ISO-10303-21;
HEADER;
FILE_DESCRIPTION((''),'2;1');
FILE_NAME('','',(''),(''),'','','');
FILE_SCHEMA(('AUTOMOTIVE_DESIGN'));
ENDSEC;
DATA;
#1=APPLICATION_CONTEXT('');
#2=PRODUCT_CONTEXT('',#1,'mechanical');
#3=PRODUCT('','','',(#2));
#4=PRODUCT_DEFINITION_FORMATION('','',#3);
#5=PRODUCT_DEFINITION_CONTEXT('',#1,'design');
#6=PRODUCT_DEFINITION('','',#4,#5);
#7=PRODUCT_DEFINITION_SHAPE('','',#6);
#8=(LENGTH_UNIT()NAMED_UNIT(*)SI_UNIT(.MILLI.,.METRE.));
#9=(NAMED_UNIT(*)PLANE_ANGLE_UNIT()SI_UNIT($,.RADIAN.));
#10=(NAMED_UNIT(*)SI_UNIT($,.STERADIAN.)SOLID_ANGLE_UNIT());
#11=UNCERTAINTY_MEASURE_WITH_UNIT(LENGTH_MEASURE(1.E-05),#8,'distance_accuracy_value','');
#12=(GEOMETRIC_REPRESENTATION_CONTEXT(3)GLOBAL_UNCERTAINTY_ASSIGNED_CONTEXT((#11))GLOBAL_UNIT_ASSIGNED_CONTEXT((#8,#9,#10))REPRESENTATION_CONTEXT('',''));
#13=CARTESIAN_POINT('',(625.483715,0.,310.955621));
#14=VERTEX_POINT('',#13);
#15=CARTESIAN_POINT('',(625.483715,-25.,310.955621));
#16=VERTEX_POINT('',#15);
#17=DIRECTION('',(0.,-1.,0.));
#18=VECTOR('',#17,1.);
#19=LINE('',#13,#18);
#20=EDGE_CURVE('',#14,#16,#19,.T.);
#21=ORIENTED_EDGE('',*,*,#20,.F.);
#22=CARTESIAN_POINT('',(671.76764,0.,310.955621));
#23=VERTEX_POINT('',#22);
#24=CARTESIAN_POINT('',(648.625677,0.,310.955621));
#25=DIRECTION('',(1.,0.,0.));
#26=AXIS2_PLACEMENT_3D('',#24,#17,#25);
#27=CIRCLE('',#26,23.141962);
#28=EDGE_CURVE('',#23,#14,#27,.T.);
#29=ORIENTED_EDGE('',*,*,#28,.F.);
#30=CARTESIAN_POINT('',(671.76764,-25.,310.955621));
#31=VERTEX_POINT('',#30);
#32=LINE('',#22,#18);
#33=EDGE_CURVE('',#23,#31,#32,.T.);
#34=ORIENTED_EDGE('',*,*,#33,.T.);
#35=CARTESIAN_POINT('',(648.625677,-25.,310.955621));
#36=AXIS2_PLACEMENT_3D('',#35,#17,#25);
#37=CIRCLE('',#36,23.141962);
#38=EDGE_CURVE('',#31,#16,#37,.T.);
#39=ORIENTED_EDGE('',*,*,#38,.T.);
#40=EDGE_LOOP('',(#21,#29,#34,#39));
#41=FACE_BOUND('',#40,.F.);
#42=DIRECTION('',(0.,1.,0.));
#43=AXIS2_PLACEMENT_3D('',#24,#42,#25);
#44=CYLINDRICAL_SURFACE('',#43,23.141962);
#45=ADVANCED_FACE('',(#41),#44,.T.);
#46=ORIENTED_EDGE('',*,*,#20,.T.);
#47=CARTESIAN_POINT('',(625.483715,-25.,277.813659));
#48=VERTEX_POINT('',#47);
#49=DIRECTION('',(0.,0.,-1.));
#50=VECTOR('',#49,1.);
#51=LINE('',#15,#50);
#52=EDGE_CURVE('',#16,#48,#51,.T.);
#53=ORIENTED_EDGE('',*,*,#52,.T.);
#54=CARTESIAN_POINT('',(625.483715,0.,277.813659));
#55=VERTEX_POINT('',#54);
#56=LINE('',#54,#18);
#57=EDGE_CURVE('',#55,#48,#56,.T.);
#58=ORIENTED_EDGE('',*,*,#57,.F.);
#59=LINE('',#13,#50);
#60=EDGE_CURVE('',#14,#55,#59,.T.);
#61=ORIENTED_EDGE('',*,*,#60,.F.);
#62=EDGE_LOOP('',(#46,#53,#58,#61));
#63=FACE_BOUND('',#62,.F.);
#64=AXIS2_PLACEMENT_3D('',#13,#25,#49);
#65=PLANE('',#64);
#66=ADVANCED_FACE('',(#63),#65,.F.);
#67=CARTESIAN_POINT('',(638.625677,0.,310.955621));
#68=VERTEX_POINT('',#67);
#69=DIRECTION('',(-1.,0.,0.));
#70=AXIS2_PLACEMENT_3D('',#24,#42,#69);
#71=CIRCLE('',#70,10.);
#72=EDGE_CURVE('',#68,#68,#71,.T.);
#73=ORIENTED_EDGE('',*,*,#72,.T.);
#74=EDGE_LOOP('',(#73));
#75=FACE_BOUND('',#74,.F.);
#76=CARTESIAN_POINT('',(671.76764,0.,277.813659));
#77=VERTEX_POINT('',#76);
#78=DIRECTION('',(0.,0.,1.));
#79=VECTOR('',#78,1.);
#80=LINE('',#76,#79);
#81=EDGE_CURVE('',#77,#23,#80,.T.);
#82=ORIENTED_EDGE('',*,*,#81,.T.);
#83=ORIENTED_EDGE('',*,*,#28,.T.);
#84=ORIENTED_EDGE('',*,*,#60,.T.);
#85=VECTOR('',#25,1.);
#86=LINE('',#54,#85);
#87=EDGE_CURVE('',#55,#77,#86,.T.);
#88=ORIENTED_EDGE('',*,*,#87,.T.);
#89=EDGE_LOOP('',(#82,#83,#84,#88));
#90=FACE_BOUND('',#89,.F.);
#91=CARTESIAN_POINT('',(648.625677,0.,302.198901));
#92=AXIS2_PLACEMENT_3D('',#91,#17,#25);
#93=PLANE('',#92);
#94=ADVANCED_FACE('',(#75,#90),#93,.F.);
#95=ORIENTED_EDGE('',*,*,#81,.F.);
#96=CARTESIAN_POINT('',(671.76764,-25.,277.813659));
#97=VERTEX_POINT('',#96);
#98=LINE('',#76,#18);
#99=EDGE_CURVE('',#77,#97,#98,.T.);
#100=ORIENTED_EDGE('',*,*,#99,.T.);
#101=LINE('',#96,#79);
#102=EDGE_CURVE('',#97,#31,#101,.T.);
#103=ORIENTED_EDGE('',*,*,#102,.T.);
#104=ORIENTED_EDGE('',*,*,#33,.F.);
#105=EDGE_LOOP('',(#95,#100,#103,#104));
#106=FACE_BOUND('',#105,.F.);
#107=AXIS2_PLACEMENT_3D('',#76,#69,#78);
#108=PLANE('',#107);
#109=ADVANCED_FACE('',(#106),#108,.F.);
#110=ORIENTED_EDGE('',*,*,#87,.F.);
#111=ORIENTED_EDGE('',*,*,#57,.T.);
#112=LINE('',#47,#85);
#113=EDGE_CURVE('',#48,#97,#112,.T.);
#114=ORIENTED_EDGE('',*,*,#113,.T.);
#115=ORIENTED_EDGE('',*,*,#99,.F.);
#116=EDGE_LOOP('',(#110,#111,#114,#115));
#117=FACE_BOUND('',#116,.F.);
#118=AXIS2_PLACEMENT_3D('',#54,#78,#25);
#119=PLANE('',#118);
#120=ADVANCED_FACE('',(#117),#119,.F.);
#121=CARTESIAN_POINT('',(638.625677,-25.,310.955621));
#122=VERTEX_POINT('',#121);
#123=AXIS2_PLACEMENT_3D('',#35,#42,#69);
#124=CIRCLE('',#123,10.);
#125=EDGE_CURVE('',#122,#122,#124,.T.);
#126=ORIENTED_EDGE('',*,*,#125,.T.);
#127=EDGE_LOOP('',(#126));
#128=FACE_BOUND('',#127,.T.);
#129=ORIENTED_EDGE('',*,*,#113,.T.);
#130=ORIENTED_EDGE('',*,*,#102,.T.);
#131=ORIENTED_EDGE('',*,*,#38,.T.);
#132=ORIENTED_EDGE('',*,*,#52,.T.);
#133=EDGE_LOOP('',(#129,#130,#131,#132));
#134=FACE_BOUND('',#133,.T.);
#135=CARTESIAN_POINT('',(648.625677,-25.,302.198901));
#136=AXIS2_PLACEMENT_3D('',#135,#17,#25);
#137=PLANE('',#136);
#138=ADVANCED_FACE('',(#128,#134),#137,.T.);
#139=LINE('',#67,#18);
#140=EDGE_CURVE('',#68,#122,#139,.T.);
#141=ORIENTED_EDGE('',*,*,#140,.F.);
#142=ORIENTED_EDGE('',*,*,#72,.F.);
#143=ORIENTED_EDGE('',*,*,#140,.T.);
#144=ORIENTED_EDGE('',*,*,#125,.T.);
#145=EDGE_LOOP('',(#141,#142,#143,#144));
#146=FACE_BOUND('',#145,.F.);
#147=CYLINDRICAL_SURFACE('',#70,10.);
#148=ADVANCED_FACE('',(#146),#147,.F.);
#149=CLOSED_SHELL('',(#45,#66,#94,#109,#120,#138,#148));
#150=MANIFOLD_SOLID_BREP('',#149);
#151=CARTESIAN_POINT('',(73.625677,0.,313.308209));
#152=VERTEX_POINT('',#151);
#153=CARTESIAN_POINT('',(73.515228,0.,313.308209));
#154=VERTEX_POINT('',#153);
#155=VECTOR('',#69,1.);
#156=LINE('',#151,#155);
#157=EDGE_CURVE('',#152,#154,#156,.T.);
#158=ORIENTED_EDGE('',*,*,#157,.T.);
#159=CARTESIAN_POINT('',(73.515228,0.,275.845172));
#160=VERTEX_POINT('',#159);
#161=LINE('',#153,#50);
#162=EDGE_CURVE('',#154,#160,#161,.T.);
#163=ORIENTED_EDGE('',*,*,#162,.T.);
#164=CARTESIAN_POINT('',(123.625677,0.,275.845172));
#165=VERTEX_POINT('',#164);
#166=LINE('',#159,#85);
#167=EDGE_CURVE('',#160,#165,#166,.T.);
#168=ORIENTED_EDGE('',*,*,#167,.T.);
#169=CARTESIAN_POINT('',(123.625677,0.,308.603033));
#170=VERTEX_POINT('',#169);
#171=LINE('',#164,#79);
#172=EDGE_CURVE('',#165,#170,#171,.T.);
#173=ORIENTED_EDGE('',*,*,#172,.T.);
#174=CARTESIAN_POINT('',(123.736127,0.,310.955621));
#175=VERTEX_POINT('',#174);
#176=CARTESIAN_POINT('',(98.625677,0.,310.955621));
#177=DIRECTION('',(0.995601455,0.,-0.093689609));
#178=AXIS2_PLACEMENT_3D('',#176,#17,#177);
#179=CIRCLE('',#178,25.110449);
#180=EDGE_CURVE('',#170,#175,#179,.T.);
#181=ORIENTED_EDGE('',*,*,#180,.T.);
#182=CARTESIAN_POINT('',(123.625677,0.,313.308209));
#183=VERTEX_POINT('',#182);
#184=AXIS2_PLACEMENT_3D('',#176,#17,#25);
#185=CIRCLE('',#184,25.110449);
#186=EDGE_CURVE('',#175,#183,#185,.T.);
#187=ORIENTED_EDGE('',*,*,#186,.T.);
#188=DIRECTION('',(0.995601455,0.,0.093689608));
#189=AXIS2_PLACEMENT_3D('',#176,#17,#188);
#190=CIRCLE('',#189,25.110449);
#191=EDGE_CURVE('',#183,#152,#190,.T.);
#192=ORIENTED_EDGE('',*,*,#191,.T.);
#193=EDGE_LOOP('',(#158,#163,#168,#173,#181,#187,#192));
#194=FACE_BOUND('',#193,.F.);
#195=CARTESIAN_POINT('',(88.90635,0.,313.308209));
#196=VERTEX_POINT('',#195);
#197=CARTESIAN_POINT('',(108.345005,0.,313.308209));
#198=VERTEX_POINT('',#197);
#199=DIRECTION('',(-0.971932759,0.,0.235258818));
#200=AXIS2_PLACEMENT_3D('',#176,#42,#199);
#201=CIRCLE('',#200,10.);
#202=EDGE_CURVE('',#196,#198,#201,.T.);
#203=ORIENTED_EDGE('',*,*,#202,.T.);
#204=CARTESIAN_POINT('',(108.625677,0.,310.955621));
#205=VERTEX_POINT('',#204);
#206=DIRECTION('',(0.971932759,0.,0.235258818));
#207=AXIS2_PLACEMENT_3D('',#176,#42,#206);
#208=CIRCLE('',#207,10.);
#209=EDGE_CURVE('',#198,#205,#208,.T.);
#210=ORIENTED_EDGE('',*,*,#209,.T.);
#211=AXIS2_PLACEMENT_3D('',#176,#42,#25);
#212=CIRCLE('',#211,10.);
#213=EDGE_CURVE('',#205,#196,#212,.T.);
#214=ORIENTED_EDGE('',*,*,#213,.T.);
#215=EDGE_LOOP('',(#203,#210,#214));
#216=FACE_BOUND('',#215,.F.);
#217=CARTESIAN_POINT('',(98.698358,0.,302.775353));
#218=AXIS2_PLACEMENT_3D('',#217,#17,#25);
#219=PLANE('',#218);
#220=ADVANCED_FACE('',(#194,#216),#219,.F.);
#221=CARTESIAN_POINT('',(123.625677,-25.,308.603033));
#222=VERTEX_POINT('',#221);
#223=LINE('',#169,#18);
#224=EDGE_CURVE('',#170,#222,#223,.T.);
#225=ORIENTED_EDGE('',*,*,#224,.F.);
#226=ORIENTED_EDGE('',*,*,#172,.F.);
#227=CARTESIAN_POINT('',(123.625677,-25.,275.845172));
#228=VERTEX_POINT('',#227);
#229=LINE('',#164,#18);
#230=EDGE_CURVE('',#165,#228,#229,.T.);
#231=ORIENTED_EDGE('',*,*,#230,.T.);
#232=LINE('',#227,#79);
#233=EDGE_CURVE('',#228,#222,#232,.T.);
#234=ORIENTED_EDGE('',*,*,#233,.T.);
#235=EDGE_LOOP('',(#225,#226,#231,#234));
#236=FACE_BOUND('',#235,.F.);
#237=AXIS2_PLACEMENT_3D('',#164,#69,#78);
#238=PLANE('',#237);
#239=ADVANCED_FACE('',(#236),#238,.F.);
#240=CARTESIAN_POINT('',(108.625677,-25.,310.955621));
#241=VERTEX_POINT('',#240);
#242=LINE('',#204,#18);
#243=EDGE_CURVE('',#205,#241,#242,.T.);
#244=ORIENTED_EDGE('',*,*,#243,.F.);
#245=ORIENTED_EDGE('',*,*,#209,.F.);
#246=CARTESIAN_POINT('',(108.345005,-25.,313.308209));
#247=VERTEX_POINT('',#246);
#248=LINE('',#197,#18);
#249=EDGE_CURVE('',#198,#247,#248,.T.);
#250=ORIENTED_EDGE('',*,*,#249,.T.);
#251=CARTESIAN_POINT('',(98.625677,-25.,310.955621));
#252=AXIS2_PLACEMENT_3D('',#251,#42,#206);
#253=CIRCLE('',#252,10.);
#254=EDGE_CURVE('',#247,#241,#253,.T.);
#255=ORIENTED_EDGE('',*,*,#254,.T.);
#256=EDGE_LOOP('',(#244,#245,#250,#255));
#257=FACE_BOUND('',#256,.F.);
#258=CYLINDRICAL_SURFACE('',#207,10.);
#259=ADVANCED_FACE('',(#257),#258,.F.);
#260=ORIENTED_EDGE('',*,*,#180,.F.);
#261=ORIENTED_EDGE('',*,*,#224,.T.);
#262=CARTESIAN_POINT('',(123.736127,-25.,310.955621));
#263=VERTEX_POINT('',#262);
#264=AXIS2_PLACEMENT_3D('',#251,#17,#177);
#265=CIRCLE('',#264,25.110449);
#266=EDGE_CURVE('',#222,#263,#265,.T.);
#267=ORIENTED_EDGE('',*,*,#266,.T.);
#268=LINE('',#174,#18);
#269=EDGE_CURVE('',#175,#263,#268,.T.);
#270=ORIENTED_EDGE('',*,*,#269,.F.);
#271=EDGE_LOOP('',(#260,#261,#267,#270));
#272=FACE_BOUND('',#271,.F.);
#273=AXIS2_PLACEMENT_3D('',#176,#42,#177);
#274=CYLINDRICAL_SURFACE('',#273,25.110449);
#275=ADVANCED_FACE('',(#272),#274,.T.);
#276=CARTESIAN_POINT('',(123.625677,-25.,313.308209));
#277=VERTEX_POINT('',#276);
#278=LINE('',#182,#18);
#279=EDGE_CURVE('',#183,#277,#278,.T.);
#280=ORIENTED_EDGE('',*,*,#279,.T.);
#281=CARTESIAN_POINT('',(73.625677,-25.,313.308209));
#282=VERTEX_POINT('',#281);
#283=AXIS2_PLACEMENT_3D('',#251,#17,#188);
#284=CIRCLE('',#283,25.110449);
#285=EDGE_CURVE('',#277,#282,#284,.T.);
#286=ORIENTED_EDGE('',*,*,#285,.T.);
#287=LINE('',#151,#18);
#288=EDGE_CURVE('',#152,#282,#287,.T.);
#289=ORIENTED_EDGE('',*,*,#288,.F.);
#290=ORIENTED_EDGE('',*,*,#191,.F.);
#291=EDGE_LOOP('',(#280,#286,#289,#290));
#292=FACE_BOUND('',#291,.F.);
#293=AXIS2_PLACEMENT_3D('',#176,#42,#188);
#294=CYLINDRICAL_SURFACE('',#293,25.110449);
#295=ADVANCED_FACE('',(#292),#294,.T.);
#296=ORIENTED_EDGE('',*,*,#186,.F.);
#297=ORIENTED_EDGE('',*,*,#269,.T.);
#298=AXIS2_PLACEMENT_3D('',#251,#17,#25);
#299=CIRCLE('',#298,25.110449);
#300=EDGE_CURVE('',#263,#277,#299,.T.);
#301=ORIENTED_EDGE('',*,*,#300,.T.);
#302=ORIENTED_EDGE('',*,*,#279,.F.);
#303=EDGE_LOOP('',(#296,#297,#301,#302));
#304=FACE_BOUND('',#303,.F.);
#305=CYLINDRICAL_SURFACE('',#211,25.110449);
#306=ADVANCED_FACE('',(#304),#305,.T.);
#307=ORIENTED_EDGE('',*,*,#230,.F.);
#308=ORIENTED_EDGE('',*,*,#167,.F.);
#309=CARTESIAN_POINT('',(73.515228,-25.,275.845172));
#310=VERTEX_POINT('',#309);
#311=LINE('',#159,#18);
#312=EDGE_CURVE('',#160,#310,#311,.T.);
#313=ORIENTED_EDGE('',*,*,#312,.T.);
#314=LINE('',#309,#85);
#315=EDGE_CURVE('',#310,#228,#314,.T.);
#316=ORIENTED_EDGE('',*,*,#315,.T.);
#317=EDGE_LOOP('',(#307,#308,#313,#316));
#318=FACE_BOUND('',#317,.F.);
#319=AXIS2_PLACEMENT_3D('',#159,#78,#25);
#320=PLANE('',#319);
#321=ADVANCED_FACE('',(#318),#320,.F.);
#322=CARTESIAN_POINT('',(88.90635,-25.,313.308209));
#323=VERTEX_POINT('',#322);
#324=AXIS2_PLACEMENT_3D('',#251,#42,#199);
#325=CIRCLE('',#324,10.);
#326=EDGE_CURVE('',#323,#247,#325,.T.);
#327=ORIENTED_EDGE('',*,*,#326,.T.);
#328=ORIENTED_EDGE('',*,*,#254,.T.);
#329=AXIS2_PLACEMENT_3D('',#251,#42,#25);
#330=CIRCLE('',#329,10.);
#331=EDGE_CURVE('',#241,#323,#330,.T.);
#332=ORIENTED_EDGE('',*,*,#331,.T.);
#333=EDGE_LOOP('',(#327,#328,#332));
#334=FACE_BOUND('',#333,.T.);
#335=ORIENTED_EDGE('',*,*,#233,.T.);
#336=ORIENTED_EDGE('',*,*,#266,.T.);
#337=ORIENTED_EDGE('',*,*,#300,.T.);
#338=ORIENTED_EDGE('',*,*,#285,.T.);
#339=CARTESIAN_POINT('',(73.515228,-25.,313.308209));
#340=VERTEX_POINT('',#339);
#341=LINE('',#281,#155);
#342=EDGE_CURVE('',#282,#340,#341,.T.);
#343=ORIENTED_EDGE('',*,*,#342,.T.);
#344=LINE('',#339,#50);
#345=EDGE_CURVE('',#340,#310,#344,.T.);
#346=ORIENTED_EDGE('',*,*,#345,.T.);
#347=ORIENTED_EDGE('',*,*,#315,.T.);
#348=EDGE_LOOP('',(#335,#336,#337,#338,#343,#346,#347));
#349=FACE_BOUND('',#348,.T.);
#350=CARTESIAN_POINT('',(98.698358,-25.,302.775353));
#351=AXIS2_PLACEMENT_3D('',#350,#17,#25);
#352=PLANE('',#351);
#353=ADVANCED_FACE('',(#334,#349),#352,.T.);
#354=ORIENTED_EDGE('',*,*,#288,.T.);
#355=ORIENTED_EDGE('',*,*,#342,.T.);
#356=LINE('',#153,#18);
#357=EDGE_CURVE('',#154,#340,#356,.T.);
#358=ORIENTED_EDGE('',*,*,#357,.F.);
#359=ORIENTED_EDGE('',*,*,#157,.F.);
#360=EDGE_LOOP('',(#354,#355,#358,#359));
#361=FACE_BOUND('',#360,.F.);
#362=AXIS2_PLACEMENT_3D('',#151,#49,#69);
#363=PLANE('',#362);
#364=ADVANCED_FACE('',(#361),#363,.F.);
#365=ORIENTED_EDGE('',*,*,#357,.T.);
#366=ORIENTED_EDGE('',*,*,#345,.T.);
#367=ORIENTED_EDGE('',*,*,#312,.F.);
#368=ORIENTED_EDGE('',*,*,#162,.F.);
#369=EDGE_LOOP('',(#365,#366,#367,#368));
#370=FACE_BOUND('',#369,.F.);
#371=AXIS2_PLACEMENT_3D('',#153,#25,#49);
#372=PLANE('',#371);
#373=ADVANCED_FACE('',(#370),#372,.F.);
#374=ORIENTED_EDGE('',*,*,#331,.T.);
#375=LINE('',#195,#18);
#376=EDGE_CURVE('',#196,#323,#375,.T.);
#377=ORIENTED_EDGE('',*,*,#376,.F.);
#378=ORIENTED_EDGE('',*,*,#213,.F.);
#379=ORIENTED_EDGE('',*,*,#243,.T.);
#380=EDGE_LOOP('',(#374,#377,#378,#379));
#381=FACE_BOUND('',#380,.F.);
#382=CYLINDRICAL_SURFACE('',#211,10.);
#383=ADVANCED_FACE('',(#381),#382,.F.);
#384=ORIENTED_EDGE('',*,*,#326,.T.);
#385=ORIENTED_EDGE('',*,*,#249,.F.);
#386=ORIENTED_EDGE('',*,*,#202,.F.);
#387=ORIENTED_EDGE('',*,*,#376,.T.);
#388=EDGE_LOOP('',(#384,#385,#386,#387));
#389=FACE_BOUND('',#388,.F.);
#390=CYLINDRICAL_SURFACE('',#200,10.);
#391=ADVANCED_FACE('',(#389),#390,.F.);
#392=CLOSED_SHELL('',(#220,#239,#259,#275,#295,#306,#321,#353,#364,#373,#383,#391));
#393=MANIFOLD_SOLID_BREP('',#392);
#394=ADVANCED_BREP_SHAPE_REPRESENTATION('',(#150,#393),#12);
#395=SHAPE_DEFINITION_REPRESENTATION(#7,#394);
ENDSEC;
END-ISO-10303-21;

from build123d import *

# Parameters (mm, degrees)
F1_DEPTH = 25


with BuildPart() as f1:
    # F0 (on Front) → F1 (new body)
    with BuildSketch(Plane.XZ):
        with BuildLine():
            ThreePointArc((108.3450048389, 313.3082091808), (108.5552612229, 312.1402568267), (108.6256772453, 310.9556210041))
            ThreePointArc((108.6256772453, 310.9556210041), (97.4410414227, 301.0260370265), (88.9063496518, 313.3082091808))
            Line((88.9063496518, 313.3082091808), (73.6256772453, 313.3082091808))
            ThreePointArc((73.6256772453, 313.3082091808), (73.5428553631, 312.1332107256), (73.5152278043, 310.9556210041))
            ThreePointArc((73.5152278043, 310.9556210041), (97.4480875239, 285.8727991218), (123.6256772453, 308.6030328274))
            Line((123.6256772453, 308.6030328274), (123.6256772453, 313.3082091808))
            Line((123.6256772453, 313.3082091808), (108.3450048389, 313.3082091808))
        make_face()
        with BuildLine():
            ThreePointArc((88.9063496518, 313.3082091808), (98.6256772453, 320.9556210041), (108.3450048389, 313.3082091808))
            Line((108.3450048389, 313.3082091808), (123.6256772453, 313.3082091808))
            ThreePointArc((123.6256772453, 313.3082091808), (98.6256772453, 336.0660704451), (73.6256772453, 313.3082091808))
            Line((73.6256772453, 313.3082091808), (88.9063496518, 313.3082091808))
        make_face()
        with BuildLine():
            ThreePointArc((123.7361266863, 310.9556210041), (123.7084991276, 312.1332107256), (123.6256772453, 313.3082091808))
            Line((123.6256772453, 313.3082091808), (123.6256772453, 308.6030328274))
            ThreePointArc((123.6256772453, 308.6030328274), (123.7084991276, 309.7780312827), (123.7361266863, 310.9556210041))
        make_face()
        with BuildLine():
            ThreePointArc((73.5152278043, 310.9556210041), (73.5428553631, 312.1332107256), (73.6256772453, 313.3082091808))
            Line((73.6256772453, 313.3082091808), (73.5152278043, 313.3082091808))
            Line((73.5152278043, 313.3082091808), (73.5152278043, 310.9556210041))
        make_face()
        with BuildLine():
            Line((123.6256772453, 275.8451715631), (123.6256772453, 308.6030328274))
            ThreePointArc((123.6256772453, 308.6030328274), (97.4480875239, 285.8727991218), (73.5152278043, 310.9556210041))
            Line((73.5152278043, 310.9556210041), (73.5152278043, 275.8451715631))
            Line((73.5152278043, 275.8451715631), (123.6256772453, 275.8451715631))
        make_face()
    extrude(amount=F1_DEPTH)


with BuildPart() as f1b:
    # F0 (on Front) → F1, piece 2 (new body)
    with BuildSketch(Plane.XZ):
        with BuildLine():
            Line((671.7676395361, 310.9556210041), (658.6256772453, 310.9556210041))
            ThreePointArc((658.6256772453, 310.9556210041), (648.6256772453, 300.9556210041), (638.6256772453, 310.9556210041))
            Line((638.6256772453, 310.9556210041), (625.4837149546, 310.9556210041))
            ThreePointArc((625.4837149546, 310.9556210041), (648.6256772453, 287.8136587134), (671.7676395361, 310.9556210041))
        make_face()
        with BuildLine():
            ThreePointArc((638.6256772453, 310.9556210041), (648.6256772453, 320.9556210041), (658.6256772453, 310.9556210041))
            Line((658.6256772453, 310.9556210041), (671.7676395361, 310.9556210041))
            ThreePointArc((671.7676395361, 310.9556210041), (648.6256772453, 334.0975832948), (625.4837149546, 310.9556210041))
            Line((625.4837149546, 310.9556210041), (638.6256772453, 310.9556210041))
        make_face()
        with BuildLine():
            Line((671.7676395361, 277.8136587134), (671.7676395361, 310.9556210041))
            ThreePointArc((671.7676395361, 310.9556210041), (648.6256772453, 287.8136587134), (625.4837149546, 310.9556210041))
            Line((625.4837149546, 310.9556210041), (625.4837149546, 277.8136587134))
            Line((625.4837149546, 277.8136587134), (671.7676395361, 277.8136587134))
        make_face()
    extrude(amount=F1_DEPTH)


solid = Compound([f1.part, f1b.part])
